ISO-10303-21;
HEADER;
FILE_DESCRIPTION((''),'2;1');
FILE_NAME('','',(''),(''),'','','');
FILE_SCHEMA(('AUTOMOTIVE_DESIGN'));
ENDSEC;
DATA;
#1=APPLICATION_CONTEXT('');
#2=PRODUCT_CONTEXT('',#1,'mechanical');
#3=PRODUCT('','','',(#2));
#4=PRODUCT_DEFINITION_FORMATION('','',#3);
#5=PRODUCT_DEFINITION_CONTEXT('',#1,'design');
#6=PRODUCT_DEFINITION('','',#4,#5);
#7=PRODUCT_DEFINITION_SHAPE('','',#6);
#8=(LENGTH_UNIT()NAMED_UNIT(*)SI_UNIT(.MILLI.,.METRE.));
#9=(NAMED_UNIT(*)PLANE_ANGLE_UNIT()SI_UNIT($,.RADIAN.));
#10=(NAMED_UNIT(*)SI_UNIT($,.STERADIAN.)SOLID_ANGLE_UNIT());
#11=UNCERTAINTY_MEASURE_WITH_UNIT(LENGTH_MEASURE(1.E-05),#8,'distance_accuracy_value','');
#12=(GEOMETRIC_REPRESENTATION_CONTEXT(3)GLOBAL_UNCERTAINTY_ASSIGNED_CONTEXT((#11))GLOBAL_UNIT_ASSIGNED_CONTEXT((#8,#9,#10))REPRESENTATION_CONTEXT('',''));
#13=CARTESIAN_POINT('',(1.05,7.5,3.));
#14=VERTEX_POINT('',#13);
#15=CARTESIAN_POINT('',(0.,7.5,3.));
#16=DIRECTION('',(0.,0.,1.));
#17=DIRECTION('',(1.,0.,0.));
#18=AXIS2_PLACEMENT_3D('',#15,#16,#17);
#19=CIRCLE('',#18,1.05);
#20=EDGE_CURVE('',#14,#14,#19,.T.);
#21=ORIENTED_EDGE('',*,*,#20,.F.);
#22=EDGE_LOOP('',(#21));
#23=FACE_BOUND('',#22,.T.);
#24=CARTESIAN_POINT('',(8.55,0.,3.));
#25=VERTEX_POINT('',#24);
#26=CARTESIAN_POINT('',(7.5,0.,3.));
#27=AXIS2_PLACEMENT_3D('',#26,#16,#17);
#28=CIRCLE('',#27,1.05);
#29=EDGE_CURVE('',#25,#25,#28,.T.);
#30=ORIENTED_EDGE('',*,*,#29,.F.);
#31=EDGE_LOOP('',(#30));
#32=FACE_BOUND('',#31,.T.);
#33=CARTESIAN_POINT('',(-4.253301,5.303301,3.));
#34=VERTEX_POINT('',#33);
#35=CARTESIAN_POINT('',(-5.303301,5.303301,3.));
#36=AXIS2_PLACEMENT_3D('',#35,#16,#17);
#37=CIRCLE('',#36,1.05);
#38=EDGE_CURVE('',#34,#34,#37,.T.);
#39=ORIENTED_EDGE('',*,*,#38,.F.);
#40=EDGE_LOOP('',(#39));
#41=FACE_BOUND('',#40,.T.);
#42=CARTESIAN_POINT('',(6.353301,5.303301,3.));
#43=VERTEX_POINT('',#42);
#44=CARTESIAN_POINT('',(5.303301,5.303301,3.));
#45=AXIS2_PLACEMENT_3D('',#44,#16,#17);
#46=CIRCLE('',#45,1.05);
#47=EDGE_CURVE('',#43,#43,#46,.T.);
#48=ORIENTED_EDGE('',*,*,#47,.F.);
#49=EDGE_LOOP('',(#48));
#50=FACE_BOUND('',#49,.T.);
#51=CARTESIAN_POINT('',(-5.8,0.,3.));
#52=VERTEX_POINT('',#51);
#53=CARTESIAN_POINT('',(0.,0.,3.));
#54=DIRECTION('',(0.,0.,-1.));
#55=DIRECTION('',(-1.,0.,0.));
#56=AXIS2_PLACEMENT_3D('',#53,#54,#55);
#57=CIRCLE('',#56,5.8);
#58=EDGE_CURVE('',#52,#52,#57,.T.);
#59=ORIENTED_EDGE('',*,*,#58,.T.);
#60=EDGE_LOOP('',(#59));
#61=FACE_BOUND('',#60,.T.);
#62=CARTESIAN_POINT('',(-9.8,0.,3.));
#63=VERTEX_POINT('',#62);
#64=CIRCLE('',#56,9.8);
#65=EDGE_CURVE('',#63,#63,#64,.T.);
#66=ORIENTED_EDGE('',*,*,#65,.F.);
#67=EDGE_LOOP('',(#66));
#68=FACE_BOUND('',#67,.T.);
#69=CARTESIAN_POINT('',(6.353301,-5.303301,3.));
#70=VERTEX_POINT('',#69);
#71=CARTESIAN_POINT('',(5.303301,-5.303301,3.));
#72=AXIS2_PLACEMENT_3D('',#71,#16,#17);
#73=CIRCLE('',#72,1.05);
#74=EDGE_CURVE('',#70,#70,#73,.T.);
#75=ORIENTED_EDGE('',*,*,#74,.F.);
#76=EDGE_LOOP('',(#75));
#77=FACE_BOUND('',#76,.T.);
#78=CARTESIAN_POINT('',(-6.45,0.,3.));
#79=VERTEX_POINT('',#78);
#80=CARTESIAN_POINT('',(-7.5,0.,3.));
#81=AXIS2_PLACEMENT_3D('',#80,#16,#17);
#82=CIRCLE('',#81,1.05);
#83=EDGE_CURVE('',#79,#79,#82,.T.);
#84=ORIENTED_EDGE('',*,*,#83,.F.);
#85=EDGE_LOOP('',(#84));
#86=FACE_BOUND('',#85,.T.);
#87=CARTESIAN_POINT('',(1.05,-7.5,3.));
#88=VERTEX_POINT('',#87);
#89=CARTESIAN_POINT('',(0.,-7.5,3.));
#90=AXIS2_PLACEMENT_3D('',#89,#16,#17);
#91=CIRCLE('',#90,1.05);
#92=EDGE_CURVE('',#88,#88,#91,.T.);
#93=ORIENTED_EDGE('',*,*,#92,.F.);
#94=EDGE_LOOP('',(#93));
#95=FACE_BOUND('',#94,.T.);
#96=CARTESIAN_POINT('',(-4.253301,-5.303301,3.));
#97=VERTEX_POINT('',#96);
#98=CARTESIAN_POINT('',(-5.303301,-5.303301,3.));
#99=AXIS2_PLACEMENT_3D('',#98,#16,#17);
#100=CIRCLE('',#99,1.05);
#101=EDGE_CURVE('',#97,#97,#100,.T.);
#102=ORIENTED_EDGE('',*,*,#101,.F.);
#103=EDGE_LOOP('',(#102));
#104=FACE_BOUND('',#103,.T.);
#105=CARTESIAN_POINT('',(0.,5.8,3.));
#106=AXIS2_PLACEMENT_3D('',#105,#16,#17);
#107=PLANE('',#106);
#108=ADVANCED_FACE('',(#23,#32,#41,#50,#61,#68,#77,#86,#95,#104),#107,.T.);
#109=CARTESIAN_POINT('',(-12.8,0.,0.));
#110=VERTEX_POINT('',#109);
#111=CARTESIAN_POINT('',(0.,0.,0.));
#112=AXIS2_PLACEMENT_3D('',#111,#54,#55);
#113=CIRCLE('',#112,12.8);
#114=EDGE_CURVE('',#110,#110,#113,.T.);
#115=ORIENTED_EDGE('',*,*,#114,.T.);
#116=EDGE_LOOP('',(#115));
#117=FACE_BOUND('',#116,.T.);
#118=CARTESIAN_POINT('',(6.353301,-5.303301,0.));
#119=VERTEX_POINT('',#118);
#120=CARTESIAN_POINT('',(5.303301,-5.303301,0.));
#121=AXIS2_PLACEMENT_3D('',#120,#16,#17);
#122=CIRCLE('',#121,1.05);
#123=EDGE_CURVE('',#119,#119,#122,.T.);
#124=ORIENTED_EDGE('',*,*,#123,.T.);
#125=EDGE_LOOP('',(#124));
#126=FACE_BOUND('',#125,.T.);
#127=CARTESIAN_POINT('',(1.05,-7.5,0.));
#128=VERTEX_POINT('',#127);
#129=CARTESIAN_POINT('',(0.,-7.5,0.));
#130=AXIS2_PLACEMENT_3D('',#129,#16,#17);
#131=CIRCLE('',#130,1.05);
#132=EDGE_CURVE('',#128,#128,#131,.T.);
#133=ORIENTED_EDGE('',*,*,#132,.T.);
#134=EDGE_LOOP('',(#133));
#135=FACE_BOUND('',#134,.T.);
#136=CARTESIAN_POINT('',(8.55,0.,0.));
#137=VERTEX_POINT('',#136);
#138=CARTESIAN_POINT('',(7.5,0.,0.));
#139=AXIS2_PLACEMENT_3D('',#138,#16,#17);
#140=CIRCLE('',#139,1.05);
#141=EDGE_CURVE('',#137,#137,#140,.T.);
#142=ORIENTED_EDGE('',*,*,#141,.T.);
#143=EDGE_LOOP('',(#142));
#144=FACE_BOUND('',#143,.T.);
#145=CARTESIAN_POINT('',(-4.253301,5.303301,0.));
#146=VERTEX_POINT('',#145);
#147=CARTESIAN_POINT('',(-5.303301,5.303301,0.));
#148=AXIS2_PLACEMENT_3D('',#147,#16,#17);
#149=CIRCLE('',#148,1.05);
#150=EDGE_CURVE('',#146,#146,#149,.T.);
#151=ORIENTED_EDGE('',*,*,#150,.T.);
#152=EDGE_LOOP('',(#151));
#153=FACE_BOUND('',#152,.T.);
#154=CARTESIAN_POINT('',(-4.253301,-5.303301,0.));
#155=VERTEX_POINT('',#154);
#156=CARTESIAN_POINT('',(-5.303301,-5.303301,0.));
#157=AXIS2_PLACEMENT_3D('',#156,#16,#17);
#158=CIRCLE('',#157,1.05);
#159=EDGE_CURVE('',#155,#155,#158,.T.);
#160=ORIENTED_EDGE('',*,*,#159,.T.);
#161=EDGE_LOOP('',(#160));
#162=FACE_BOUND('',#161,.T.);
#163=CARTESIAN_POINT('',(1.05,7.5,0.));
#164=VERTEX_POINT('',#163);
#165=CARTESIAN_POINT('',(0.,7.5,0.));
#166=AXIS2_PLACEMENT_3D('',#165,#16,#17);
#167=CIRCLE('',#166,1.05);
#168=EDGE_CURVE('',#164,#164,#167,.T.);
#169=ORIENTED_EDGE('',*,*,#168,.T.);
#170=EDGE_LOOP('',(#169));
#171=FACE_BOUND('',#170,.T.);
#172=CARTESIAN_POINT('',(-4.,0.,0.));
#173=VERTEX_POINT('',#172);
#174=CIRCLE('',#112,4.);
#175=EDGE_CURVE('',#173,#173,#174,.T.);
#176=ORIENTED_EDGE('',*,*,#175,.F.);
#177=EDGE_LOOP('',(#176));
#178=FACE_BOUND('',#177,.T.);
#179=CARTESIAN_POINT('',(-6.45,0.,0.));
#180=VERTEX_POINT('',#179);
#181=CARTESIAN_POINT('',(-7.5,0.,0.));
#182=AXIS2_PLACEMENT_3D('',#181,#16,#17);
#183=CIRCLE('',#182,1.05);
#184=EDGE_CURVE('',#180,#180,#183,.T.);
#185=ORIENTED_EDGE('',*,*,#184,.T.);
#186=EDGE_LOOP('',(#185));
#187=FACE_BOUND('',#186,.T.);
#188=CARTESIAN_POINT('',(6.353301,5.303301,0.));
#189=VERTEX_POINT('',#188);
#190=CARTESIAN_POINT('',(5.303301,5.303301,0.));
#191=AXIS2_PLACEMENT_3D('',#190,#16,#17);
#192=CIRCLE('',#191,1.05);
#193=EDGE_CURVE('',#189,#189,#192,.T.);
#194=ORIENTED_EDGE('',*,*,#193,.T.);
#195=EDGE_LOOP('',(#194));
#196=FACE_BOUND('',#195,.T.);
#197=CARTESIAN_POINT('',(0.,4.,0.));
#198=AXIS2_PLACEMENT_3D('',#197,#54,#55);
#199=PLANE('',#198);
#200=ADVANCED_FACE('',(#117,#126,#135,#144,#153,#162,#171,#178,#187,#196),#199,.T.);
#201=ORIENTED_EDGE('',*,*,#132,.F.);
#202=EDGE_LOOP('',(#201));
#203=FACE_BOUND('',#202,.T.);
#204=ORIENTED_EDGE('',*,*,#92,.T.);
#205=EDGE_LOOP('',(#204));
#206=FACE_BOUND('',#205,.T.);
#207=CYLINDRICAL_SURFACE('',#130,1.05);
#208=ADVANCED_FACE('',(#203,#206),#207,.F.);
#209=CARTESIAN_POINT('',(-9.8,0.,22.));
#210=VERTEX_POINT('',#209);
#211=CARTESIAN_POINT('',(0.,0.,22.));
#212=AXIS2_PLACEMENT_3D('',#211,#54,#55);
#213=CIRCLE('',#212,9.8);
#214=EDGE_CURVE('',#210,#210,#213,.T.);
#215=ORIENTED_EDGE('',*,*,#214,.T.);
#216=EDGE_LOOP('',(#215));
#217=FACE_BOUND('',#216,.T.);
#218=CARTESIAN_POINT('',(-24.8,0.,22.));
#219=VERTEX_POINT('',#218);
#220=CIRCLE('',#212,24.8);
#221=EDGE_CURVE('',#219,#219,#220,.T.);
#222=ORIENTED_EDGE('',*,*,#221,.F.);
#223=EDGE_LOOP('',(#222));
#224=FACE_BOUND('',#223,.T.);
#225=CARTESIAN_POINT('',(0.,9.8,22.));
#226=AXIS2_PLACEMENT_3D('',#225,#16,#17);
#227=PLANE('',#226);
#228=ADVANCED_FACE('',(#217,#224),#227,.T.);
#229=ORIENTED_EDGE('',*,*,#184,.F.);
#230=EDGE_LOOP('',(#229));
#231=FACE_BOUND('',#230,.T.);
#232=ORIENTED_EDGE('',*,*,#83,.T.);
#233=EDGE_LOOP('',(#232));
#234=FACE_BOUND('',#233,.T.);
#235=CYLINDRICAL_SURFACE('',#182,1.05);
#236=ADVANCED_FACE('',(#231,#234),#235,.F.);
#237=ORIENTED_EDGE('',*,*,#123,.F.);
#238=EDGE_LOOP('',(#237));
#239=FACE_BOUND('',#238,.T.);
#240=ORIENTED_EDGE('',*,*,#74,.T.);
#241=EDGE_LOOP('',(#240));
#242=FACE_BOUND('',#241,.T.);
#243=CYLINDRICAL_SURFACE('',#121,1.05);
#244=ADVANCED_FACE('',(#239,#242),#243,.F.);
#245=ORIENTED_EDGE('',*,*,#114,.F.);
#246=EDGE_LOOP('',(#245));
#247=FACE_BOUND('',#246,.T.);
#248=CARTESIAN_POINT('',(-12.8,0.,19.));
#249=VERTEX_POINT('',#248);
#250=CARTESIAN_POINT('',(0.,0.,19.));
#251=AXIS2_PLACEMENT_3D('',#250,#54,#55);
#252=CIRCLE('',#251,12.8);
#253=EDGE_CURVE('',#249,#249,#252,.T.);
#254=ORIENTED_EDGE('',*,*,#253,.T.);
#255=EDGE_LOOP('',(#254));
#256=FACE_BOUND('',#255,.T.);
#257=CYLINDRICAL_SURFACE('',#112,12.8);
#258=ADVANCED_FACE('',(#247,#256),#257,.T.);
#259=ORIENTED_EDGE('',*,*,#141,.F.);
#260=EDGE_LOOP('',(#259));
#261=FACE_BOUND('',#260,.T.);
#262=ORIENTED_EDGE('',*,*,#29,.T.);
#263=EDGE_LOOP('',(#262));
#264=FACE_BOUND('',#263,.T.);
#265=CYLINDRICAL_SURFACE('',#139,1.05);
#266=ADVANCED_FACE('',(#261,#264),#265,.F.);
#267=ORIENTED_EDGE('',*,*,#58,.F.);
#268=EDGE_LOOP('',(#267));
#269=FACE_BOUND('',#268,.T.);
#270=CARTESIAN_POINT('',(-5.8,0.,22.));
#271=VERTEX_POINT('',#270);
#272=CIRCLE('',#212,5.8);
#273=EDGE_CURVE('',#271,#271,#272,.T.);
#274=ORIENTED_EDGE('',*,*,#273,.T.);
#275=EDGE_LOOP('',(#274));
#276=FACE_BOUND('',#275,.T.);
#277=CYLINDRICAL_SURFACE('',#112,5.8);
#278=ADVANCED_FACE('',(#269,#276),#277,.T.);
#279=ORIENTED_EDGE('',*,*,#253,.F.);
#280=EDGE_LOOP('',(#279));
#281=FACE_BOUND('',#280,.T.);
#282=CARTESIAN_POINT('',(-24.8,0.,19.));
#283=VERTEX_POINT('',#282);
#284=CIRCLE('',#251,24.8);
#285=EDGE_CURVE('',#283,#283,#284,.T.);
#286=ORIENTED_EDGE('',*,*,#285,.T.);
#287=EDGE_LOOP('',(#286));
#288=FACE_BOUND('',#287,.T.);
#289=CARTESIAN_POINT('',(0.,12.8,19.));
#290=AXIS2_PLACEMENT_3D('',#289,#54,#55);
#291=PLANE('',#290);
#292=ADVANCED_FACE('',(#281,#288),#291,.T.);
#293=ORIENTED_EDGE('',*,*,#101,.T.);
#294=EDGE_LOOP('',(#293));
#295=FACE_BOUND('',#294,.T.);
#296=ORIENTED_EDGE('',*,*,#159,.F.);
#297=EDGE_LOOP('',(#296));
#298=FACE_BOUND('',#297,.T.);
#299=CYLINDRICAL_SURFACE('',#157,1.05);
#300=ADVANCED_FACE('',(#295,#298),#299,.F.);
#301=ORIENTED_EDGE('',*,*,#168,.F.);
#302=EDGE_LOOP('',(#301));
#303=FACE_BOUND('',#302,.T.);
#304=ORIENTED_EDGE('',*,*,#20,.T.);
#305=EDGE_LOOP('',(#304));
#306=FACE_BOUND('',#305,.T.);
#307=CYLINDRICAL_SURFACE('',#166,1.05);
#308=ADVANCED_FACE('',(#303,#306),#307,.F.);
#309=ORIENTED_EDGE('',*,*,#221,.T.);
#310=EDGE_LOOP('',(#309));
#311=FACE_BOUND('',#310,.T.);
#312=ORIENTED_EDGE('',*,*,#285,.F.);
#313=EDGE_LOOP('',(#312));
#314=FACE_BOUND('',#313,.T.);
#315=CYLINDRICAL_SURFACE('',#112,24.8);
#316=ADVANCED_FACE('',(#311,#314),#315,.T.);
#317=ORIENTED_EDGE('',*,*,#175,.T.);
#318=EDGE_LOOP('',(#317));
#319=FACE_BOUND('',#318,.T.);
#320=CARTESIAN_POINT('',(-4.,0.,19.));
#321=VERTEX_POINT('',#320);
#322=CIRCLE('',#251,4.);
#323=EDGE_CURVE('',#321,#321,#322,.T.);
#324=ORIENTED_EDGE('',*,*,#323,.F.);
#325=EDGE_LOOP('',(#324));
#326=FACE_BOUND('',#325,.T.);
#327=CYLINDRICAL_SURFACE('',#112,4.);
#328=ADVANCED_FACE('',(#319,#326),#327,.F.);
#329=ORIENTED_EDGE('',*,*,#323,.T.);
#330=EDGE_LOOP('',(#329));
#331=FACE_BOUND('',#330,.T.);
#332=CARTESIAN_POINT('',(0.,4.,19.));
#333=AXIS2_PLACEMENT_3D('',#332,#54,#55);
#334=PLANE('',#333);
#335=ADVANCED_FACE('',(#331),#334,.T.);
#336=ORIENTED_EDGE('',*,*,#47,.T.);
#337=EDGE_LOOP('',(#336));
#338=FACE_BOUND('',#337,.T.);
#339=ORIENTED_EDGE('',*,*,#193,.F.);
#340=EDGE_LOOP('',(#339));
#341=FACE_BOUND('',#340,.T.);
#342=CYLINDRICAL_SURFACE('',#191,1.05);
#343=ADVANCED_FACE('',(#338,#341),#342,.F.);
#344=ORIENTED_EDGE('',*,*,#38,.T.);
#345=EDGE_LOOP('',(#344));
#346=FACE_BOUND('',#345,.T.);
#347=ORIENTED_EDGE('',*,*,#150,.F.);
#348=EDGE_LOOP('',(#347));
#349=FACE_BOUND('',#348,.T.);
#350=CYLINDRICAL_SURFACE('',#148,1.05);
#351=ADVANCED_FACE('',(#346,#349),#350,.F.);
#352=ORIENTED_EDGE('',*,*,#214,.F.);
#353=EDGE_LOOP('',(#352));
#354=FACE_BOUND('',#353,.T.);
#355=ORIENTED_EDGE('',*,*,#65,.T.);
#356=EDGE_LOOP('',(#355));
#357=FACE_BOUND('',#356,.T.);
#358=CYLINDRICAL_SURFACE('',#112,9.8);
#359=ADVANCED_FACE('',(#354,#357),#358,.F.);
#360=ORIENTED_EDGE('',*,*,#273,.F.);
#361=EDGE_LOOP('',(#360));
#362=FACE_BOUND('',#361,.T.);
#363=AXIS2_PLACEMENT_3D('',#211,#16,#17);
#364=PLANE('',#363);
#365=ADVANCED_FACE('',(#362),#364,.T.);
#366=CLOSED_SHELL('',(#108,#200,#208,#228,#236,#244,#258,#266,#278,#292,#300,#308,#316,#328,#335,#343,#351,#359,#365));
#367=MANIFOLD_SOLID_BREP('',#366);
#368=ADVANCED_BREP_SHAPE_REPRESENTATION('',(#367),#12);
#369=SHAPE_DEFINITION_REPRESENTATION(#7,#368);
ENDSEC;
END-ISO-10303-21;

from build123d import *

# Parameters (mm, degrees)
SKETCH4_R          = 1.05
CUT_EXTRUDE1_DEPTH = 4


with BuildPart() as part:
    # Sketch2 → Revolve1 (revolve)
    with BuildSketch(Plane(origin=(0, 0, 0), x_dir=(0, 0, -1), z_dir=(1, 0, 0))):
        Polygon((-22, 0), (-22, 5.8), (-3, 5.8), (-3, 9.8), (-22, 9.8), (-22, 24.8), (-19, 24.8), (-19, 12.8), (0, 12.8), (0, 4), (-19, 4), (-19, 0), align=None)
    revolve(axis=Axis((0, 0, 0), (0, 0, 1)))

    # Sketch4 → Cut-Extrude1 (cut, through all)
    with BuildSketch(Plane.XY.offset(3)):
        with Locations((0, 7.5)):
            Circle(SKETCH4_R)
        with Locations((5.303300859, 5.303300859)):
            Circle(SKETCH4_R)
        with Locations((7.5, 0)):
            Circle(SKETCH4_R)
        with Locations((5.303300859, -5.303300859)):
            Circle(SKETCH4_R)
        with Locations((0, -7.5)):
            Circle(SKETCH4_R)
        with Locations((-5.303300859, -5.303300859)):
            Circle(SKETCH4_R)
        with Locations((-7.5, 0)):
            Circle(SKETCH4_R)
        with Locations((-5.303300859, 5.303300859)):
            Circle(SKETCH4_R)
    extrude(amount=-CUT_EXTRUDE1_DEPTH, mode=Mode.SUBTRACT)


solid = part.part
